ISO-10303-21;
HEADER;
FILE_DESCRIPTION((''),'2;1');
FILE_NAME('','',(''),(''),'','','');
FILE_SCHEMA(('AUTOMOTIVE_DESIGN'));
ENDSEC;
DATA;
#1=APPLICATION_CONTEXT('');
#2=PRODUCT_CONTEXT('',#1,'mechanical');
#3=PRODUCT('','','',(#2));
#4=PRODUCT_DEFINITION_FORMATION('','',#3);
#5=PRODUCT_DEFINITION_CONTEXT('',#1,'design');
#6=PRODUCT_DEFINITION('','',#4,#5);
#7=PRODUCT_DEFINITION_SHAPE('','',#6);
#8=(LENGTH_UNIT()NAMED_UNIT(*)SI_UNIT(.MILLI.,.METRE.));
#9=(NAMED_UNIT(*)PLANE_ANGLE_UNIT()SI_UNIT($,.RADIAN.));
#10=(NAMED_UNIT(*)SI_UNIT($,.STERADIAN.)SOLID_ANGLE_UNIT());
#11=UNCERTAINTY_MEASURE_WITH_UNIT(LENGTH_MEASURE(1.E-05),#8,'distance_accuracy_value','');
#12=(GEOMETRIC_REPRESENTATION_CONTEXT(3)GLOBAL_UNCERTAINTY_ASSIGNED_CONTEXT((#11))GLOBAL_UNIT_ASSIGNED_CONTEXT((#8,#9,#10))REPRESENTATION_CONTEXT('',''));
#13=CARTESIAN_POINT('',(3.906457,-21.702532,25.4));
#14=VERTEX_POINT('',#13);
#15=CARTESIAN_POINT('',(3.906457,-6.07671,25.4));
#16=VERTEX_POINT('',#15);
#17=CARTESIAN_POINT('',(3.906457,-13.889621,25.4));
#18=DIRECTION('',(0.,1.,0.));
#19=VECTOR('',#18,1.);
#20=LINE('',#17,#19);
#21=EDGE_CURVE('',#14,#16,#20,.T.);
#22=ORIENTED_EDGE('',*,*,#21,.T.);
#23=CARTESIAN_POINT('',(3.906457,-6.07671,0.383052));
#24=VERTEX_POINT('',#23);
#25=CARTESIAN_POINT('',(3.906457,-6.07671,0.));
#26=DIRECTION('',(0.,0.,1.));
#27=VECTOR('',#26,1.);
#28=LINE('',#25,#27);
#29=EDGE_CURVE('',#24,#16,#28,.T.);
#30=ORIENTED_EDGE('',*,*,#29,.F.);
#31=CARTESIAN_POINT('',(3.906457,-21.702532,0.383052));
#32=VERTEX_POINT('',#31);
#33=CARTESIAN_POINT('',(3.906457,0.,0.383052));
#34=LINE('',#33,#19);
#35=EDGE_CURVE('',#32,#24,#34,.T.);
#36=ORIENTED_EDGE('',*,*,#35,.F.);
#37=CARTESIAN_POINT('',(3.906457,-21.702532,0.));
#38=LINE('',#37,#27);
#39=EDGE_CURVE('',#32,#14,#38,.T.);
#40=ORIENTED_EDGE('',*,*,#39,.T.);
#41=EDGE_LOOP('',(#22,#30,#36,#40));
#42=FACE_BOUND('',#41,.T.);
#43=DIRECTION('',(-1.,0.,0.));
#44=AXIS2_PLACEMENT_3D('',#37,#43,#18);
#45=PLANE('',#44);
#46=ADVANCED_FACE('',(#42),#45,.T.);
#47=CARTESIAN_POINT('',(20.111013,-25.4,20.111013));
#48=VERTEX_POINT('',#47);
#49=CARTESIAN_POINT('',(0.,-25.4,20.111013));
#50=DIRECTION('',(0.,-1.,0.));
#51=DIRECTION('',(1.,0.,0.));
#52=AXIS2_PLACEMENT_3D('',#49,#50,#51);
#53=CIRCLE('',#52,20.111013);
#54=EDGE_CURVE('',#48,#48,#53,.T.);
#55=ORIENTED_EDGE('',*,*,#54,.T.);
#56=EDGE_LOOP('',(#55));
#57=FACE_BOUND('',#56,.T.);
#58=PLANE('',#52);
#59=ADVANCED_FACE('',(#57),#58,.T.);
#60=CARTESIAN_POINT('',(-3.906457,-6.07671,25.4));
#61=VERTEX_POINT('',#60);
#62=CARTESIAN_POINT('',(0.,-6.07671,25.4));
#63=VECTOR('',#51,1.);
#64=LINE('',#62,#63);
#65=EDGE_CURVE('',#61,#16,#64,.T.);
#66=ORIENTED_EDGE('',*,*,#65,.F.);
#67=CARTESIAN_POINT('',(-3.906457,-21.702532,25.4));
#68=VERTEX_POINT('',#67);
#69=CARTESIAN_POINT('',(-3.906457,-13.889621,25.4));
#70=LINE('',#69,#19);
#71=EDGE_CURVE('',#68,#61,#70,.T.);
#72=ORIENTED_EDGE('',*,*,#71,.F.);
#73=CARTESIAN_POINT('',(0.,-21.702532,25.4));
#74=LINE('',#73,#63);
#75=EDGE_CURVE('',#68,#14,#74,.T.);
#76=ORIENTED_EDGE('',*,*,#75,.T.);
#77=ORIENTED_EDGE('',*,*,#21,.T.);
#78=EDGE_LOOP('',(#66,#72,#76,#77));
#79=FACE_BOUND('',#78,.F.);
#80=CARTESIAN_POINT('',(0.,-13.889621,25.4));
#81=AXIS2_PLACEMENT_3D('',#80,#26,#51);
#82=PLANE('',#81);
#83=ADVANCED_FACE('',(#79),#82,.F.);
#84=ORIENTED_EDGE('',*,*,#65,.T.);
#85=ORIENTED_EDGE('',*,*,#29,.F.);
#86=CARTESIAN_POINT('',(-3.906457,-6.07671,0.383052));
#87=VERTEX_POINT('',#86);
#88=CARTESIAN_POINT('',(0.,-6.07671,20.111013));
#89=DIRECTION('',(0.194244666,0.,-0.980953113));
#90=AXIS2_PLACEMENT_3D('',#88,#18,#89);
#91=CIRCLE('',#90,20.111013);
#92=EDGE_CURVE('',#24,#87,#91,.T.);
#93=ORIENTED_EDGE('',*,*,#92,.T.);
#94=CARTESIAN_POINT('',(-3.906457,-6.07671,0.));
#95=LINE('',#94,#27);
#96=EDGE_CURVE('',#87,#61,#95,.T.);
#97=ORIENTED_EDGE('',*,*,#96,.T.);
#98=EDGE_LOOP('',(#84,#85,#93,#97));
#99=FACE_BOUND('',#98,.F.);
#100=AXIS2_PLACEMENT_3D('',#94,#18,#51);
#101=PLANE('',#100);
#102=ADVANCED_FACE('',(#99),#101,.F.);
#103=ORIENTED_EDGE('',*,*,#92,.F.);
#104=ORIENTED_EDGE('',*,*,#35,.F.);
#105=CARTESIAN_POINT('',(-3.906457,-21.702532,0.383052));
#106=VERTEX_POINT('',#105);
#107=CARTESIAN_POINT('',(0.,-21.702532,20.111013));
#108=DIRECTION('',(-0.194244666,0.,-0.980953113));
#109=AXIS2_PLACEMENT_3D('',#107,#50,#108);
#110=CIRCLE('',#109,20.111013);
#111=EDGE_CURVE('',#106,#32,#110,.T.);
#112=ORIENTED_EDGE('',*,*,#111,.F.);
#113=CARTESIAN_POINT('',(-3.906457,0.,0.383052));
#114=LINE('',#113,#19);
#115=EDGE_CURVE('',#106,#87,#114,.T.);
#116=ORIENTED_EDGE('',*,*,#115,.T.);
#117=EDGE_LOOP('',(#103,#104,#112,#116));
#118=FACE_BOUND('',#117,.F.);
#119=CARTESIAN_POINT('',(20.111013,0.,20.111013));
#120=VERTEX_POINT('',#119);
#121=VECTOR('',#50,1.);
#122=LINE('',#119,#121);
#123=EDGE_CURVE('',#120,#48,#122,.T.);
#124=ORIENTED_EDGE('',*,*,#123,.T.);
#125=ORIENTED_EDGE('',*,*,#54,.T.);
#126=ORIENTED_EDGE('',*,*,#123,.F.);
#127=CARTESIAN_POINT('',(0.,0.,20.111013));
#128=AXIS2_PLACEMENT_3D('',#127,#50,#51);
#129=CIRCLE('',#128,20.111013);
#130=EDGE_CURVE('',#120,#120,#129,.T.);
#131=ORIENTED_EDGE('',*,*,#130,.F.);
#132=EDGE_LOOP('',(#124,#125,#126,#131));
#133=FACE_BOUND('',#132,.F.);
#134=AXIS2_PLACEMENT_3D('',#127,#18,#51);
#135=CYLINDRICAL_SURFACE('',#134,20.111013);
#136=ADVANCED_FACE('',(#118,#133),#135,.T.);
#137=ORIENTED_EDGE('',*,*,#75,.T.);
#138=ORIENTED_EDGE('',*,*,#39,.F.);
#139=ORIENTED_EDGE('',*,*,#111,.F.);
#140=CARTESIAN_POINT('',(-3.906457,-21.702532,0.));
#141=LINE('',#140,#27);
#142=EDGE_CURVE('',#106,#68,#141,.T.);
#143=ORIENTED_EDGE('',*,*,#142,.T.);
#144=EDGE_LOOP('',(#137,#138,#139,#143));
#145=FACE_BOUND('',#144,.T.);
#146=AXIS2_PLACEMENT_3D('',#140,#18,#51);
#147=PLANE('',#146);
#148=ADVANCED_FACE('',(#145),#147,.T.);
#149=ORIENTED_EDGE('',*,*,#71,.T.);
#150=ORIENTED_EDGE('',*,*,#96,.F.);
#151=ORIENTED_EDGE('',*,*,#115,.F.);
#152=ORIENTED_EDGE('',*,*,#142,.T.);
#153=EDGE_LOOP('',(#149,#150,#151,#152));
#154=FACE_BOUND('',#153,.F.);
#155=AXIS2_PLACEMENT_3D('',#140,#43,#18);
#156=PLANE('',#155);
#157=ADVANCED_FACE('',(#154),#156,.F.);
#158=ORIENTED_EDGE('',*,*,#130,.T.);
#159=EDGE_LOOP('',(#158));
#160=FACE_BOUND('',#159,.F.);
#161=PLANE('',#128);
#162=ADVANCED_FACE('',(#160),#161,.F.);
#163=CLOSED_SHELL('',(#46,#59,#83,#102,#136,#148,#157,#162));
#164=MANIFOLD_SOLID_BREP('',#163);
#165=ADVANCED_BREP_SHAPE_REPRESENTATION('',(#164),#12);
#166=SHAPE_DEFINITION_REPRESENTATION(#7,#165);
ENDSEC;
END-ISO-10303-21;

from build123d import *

# Parameters (mm, degrees)
F1_R     = 20.111013
F2_DEPTH = 25.4
F3_W     = 7.812914
F3_H     = 15.625822
F4_DEPTH = 25.4


with BuildPart() as f2:
    # F1 (on Front) → F2 (new body)
    with BuildSketch(Plane.XZ):
        with Locations((0, 20.111013)):
            Circle(F1_R)
    extrude(amount=F2_DEPTH)

    # F3 (on Top) → F4 (cut)
    with BuildSketch(Plane.XY):
        with Locations((0, -13.889621)):
            Rectangle(F3_W, F3_H)
    extrude(amount=F4_DEPTH, mode=Mode.SUBTRACT)


solid = f2.part
